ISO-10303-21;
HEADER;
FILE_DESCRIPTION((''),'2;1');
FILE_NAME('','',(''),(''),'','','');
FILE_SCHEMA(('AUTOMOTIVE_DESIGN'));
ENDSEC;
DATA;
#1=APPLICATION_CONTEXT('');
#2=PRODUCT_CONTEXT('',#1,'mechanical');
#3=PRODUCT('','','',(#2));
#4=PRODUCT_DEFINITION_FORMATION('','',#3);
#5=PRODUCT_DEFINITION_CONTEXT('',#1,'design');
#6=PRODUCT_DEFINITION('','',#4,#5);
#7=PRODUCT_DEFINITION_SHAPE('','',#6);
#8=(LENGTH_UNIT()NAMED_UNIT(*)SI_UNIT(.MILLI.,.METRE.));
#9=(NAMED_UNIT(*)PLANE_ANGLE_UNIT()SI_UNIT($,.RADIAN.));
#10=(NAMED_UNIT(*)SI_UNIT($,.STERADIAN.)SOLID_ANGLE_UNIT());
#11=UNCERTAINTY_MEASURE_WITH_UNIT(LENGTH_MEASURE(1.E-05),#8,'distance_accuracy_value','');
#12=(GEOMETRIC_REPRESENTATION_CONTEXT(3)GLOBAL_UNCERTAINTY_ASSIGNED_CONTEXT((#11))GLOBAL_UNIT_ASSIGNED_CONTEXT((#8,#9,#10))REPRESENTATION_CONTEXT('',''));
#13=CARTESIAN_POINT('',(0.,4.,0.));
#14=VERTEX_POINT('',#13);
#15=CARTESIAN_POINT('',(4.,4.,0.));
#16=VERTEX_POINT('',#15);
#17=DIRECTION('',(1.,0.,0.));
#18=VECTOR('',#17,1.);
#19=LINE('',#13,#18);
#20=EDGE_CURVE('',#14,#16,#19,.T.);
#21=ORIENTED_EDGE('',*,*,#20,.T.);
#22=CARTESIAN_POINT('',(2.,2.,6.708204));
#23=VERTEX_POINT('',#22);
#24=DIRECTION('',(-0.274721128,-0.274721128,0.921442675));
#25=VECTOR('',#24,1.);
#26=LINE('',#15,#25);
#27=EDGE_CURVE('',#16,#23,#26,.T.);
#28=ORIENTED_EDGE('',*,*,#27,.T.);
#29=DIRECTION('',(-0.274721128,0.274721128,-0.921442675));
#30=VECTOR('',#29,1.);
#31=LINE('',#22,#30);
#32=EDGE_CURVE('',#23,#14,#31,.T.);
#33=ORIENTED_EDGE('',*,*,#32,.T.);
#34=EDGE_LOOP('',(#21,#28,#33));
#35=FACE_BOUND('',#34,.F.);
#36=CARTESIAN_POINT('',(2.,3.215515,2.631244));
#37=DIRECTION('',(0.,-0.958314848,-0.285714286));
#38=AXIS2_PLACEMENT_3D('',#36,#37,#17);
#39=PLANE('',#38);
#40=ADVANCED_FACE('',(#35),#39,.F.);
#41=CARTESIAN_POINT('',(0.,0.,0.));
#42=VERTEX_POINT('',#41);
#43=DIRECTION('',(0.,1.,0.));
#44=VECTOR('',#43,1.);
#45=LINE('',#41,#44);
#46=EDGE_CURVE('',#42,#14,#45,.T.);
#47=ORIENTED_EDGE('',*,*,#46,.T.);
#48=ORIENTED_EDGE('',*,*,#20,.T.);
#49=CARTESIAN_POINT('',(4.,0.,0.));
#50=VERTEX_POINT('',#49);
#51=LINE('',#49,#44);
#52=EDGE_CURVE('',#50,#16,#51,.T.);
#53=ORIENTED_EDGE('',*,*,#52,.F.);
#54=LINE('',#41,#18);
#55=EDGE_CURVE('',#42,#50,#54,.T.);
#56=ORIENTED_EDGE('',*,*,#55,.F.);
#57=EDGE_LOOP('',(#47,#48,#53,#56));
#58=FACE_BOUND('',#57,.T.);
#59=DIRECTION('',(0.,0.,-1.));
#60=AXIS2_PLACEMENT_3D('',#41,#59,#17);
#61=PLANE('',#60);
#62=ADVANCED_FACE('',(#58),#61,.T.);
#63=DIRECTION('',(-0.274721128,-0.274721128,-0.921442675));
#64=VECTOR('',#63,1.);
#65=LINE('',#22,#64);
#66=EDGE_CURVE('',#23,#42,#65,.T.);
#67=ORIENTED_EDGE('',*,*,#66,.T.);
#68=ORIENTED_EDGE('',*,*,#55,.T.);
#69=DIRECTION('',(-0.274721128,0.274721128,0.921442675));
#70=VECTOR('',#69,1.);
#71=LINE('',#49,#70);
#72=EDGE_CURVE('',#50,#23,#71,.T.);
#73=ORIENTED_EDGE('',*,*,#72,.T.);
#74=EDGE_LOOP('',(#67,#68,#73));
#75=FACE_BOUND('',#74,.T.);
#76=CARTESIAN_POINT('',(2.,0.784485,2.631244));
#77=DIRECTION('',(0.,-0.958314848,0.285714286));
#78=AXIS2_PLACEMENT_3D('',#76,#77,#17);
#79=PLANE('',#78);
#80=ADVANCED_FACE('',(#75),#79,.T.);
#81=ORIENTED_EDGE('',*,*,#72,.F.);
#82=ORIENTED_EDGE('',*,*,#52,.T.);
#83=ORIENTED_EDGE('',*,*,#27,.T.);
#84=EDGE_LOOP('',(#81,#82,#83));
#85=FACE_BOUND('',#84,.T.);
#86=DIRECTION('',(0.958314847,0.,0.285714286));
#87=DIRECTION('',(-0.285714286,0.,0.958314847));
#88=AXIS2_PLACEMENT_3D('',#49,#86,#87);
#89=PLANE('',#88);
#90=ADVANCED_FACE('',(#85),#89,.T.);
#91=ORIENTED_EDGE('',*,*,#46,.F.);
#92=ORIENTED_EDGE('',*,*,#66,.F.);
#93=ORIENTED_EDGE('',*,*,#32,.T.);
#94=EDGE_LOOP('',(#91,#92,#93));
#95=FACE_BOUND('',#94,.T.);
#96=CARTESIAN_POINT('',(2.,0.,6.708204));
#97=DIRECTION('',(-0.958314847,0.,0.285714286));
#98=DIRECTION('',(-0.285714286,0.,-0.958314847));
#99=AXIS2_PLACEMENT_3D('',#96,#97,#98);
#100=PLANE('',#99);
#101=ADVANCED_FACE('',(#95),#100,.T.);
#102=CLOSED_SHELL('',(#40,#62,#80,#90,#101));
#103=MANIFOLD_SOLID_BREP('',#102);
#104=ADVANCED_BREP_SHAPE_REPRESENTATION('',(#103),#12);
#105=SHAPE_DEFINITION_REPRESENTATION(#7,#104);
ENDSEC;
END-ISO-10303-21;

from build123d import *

# Parameters (mm, degrees)
F1_DEPTH = 4
F5_DEPTH = 25
F8_DEPTH = 25


with BuildPart() as f1:
    # F0 (on Front) → F1 (new body)
    with BuildSketch(Plane.XZ):
        Polygon((2, 6.7082039325), (0, 0), (4, 0), align=None)
    extrude(amount=-F1_DEPTH)

    # F4 (on 3pt) → F5 (cut)
    with BuildSketch(Plane(origin=(0, 0, 0), x_dir=(1, 0, 0), z_dir=(0, -0.9583148475, 0.2857142857))):
        Polygon((4, 0), (2, 7), (0, 0), align=None)
    extrude(amount=F5_DEPTH, mode=Mode.SUBTRACT)

    # F7 (on 3pt) → F8 (cut)
    with BuildSketch(Plane(origin=(0, 3.6734693878, 1.0952169686), x_dir=(1, 0, 0), z_dir=(0, -0.9583148475, -0.2857142857))):
        Polygon((4, -1.1428571429), (2, 5.8571428571), (0, -1.1428571429), align=None)
    extrude(amount=-F8_DEPTH, mode=Mode.SUBTRACT)


solid = f1.part
